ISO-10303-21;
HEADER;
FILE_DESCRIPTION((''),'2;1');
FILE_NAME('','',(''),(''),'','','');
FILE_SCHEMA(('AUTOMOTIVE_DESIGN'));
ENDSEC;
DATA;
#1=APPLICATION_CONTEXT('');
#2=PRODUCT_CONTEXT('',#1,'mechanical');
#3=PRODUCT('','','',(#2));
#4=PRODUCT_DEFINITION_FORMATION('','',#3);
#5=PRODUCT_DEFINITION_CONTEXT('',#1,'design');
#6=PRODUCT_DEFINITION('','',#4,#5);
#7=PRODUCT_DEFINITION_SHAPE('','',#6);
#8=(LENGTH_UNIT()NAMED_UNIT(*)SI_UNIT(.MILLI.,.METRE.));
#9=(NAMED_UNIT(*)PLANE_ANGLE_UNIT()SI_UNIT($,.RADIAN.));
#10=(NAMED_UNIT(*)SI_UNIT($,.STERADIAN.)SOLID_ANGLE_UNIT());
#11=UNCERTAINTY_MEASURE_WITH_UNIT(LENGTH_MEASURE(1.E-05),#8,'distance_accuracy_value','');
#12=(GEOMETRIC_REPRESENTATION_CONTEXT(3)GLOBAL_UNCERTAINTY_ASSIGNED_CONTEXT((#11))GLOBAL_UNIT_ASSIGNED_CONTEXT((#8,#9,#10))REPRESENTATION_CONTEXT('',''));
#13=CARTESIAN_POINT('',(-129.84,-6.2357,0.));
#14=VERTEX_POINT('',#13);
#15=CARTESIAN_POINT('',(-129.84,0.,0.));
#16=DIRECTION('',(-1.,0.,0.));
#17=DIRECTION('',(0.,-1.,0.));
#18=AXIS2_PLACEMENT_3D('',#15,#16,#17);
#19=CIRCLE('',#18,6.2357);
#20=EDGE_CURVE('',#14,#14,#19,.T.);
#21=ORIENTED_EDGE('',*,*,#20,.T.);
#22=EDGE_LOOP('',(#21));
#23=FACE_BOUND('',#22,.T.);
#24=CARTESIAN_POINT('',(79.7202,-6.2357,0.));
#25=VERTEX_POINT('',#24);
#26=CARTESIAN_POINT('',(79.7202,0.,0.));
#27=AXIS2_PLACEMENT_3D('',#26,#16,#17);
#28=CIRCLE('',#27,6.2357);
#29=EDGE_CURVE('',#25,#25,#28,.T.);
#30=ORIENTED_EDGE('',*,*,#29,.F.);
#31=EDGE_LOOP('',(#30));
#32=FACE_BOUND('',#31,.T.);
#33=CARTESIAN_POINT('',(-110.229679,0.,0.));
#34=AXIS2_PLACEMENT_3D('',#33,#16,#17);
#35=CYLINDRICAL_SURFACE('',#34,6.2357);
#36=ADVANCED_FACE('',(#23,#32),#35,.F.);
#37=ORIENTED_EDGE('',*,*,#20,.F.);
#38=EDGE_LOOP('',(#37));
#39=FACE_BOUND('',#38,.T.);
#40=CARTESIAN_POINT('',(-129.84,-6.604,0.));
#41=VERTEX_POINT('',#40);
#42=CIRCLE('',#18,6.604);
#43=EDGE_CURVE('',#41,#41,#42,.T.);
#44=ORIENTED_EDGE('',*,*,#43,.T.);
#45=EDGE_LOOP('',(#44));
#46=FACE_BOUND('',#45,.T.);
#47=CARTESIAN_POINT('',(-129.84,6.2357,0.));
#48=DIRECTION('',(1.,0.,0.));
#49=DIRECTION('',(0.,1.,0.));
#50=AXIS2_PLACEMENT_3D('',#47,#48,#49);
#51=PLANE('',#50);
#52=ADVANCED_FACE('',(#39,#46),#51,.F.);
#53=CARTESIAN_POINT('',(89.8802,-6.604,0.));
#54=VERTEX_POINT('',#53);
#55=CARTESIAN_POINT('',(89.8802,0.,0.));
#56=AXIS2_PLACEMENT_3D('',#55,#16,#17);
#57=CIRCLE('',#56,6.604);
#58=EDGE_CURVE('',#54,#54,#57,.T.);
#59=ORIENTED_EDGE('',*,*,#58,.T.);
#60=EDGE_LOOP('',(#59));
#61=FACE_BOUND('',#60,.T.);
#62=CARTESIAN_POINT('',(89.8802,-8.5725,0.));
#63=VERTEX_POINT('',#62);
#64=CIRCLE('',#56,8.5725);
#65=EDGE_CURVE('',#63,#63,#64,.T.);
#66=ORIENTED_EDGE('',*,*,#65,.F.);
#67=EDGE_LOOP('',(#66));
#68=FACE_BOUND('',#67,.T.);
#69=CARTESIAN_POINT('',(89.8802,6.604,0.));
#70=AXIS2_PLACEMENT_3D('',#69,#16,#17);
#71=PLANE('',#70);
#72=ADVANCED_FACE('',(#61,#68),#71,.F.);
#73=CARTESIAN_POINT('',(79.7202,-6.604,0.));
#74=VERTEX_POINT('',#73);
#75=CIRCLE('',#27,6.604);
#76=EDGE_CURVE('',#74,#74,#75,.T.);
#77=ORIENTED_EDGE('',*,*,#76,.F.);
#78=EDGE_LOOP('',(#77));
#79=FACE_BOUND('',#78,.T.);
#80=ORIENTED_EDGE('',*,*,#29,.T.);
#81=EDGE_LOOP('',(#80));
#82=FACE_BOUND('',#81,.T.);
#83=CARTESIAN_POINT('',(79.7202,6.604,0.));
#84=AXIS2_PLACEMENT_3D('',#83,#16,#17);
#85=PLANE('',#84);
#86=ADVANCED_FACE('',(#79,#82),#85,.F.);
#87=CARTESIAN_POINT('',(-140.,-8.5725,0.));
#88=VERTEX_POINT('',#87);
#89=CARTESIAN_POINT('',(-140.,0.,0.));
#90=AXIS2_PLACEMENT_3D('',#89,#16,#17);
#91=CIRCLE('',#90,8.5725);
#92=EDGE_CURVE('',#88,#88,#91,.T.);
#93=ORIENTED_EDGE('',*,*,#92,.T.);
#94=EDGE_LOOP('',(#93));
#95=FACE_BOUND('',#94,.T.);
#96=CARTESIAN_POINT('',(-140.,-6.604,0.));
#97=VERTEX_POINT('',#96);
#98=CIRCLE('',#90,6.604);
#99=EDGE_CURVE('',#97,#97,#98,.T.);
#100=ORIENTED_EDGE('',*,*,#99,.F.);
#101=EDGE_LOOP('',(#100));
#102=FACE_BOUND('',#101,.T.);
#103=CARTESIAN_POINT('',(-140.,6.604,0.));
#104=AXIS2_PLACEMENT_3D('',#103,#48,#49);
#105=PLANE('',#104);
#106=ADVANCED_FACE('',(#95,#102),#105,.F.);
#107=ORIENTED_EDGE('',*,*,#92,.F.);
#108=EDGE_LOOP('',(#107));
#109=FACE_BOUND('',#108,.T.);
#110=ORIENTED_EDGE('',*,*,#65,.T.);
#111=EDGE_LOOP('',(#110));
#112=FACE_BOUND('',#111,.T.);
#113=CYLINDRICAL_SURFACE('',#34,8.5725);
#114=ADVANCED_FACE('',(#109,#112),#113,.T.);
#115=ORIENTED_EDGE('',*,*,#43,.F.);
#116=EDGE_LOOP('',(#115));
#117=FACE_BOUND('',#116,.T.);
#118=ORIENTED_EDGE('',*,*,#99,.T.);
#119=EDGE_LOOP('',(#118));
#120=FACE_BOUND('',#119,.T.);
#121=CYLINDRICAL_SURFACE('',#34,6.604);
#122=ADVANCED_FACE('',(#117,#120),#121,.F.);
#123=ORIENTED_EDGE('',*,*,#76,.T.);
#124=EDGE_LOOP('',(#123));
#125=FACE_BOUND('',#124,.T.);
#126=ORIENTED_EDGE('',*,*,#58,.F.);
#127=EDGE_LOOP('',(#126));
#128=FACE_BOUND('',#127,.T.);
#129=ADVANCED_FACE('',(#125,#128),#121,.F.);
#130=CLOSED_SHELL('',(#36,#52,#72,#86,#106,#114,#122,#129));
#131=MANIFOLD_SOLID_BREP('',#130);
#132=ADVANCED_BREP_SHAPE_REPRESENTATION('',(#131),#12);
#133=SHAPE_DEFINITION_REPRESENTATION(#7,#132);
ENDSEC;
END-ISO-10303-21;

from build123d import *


with BuildPart() as part:
    # Sketch1 → Revolve1 (revolve)
    with BuildSketch(Plane.XY):
        Polygon((-140, 6.604), (-140, 8.5725), (89.8802, 8.5725), (89.8802, 6.604), (79.7202, 6.604), (79.7202, 6.2357), (-129.84, 6.2357), (-129.84, 6.604), align=None)
    revolve(axis=Axis((-110.229678616, 0, 0), (1, 0, 0)))


solid = part.part
